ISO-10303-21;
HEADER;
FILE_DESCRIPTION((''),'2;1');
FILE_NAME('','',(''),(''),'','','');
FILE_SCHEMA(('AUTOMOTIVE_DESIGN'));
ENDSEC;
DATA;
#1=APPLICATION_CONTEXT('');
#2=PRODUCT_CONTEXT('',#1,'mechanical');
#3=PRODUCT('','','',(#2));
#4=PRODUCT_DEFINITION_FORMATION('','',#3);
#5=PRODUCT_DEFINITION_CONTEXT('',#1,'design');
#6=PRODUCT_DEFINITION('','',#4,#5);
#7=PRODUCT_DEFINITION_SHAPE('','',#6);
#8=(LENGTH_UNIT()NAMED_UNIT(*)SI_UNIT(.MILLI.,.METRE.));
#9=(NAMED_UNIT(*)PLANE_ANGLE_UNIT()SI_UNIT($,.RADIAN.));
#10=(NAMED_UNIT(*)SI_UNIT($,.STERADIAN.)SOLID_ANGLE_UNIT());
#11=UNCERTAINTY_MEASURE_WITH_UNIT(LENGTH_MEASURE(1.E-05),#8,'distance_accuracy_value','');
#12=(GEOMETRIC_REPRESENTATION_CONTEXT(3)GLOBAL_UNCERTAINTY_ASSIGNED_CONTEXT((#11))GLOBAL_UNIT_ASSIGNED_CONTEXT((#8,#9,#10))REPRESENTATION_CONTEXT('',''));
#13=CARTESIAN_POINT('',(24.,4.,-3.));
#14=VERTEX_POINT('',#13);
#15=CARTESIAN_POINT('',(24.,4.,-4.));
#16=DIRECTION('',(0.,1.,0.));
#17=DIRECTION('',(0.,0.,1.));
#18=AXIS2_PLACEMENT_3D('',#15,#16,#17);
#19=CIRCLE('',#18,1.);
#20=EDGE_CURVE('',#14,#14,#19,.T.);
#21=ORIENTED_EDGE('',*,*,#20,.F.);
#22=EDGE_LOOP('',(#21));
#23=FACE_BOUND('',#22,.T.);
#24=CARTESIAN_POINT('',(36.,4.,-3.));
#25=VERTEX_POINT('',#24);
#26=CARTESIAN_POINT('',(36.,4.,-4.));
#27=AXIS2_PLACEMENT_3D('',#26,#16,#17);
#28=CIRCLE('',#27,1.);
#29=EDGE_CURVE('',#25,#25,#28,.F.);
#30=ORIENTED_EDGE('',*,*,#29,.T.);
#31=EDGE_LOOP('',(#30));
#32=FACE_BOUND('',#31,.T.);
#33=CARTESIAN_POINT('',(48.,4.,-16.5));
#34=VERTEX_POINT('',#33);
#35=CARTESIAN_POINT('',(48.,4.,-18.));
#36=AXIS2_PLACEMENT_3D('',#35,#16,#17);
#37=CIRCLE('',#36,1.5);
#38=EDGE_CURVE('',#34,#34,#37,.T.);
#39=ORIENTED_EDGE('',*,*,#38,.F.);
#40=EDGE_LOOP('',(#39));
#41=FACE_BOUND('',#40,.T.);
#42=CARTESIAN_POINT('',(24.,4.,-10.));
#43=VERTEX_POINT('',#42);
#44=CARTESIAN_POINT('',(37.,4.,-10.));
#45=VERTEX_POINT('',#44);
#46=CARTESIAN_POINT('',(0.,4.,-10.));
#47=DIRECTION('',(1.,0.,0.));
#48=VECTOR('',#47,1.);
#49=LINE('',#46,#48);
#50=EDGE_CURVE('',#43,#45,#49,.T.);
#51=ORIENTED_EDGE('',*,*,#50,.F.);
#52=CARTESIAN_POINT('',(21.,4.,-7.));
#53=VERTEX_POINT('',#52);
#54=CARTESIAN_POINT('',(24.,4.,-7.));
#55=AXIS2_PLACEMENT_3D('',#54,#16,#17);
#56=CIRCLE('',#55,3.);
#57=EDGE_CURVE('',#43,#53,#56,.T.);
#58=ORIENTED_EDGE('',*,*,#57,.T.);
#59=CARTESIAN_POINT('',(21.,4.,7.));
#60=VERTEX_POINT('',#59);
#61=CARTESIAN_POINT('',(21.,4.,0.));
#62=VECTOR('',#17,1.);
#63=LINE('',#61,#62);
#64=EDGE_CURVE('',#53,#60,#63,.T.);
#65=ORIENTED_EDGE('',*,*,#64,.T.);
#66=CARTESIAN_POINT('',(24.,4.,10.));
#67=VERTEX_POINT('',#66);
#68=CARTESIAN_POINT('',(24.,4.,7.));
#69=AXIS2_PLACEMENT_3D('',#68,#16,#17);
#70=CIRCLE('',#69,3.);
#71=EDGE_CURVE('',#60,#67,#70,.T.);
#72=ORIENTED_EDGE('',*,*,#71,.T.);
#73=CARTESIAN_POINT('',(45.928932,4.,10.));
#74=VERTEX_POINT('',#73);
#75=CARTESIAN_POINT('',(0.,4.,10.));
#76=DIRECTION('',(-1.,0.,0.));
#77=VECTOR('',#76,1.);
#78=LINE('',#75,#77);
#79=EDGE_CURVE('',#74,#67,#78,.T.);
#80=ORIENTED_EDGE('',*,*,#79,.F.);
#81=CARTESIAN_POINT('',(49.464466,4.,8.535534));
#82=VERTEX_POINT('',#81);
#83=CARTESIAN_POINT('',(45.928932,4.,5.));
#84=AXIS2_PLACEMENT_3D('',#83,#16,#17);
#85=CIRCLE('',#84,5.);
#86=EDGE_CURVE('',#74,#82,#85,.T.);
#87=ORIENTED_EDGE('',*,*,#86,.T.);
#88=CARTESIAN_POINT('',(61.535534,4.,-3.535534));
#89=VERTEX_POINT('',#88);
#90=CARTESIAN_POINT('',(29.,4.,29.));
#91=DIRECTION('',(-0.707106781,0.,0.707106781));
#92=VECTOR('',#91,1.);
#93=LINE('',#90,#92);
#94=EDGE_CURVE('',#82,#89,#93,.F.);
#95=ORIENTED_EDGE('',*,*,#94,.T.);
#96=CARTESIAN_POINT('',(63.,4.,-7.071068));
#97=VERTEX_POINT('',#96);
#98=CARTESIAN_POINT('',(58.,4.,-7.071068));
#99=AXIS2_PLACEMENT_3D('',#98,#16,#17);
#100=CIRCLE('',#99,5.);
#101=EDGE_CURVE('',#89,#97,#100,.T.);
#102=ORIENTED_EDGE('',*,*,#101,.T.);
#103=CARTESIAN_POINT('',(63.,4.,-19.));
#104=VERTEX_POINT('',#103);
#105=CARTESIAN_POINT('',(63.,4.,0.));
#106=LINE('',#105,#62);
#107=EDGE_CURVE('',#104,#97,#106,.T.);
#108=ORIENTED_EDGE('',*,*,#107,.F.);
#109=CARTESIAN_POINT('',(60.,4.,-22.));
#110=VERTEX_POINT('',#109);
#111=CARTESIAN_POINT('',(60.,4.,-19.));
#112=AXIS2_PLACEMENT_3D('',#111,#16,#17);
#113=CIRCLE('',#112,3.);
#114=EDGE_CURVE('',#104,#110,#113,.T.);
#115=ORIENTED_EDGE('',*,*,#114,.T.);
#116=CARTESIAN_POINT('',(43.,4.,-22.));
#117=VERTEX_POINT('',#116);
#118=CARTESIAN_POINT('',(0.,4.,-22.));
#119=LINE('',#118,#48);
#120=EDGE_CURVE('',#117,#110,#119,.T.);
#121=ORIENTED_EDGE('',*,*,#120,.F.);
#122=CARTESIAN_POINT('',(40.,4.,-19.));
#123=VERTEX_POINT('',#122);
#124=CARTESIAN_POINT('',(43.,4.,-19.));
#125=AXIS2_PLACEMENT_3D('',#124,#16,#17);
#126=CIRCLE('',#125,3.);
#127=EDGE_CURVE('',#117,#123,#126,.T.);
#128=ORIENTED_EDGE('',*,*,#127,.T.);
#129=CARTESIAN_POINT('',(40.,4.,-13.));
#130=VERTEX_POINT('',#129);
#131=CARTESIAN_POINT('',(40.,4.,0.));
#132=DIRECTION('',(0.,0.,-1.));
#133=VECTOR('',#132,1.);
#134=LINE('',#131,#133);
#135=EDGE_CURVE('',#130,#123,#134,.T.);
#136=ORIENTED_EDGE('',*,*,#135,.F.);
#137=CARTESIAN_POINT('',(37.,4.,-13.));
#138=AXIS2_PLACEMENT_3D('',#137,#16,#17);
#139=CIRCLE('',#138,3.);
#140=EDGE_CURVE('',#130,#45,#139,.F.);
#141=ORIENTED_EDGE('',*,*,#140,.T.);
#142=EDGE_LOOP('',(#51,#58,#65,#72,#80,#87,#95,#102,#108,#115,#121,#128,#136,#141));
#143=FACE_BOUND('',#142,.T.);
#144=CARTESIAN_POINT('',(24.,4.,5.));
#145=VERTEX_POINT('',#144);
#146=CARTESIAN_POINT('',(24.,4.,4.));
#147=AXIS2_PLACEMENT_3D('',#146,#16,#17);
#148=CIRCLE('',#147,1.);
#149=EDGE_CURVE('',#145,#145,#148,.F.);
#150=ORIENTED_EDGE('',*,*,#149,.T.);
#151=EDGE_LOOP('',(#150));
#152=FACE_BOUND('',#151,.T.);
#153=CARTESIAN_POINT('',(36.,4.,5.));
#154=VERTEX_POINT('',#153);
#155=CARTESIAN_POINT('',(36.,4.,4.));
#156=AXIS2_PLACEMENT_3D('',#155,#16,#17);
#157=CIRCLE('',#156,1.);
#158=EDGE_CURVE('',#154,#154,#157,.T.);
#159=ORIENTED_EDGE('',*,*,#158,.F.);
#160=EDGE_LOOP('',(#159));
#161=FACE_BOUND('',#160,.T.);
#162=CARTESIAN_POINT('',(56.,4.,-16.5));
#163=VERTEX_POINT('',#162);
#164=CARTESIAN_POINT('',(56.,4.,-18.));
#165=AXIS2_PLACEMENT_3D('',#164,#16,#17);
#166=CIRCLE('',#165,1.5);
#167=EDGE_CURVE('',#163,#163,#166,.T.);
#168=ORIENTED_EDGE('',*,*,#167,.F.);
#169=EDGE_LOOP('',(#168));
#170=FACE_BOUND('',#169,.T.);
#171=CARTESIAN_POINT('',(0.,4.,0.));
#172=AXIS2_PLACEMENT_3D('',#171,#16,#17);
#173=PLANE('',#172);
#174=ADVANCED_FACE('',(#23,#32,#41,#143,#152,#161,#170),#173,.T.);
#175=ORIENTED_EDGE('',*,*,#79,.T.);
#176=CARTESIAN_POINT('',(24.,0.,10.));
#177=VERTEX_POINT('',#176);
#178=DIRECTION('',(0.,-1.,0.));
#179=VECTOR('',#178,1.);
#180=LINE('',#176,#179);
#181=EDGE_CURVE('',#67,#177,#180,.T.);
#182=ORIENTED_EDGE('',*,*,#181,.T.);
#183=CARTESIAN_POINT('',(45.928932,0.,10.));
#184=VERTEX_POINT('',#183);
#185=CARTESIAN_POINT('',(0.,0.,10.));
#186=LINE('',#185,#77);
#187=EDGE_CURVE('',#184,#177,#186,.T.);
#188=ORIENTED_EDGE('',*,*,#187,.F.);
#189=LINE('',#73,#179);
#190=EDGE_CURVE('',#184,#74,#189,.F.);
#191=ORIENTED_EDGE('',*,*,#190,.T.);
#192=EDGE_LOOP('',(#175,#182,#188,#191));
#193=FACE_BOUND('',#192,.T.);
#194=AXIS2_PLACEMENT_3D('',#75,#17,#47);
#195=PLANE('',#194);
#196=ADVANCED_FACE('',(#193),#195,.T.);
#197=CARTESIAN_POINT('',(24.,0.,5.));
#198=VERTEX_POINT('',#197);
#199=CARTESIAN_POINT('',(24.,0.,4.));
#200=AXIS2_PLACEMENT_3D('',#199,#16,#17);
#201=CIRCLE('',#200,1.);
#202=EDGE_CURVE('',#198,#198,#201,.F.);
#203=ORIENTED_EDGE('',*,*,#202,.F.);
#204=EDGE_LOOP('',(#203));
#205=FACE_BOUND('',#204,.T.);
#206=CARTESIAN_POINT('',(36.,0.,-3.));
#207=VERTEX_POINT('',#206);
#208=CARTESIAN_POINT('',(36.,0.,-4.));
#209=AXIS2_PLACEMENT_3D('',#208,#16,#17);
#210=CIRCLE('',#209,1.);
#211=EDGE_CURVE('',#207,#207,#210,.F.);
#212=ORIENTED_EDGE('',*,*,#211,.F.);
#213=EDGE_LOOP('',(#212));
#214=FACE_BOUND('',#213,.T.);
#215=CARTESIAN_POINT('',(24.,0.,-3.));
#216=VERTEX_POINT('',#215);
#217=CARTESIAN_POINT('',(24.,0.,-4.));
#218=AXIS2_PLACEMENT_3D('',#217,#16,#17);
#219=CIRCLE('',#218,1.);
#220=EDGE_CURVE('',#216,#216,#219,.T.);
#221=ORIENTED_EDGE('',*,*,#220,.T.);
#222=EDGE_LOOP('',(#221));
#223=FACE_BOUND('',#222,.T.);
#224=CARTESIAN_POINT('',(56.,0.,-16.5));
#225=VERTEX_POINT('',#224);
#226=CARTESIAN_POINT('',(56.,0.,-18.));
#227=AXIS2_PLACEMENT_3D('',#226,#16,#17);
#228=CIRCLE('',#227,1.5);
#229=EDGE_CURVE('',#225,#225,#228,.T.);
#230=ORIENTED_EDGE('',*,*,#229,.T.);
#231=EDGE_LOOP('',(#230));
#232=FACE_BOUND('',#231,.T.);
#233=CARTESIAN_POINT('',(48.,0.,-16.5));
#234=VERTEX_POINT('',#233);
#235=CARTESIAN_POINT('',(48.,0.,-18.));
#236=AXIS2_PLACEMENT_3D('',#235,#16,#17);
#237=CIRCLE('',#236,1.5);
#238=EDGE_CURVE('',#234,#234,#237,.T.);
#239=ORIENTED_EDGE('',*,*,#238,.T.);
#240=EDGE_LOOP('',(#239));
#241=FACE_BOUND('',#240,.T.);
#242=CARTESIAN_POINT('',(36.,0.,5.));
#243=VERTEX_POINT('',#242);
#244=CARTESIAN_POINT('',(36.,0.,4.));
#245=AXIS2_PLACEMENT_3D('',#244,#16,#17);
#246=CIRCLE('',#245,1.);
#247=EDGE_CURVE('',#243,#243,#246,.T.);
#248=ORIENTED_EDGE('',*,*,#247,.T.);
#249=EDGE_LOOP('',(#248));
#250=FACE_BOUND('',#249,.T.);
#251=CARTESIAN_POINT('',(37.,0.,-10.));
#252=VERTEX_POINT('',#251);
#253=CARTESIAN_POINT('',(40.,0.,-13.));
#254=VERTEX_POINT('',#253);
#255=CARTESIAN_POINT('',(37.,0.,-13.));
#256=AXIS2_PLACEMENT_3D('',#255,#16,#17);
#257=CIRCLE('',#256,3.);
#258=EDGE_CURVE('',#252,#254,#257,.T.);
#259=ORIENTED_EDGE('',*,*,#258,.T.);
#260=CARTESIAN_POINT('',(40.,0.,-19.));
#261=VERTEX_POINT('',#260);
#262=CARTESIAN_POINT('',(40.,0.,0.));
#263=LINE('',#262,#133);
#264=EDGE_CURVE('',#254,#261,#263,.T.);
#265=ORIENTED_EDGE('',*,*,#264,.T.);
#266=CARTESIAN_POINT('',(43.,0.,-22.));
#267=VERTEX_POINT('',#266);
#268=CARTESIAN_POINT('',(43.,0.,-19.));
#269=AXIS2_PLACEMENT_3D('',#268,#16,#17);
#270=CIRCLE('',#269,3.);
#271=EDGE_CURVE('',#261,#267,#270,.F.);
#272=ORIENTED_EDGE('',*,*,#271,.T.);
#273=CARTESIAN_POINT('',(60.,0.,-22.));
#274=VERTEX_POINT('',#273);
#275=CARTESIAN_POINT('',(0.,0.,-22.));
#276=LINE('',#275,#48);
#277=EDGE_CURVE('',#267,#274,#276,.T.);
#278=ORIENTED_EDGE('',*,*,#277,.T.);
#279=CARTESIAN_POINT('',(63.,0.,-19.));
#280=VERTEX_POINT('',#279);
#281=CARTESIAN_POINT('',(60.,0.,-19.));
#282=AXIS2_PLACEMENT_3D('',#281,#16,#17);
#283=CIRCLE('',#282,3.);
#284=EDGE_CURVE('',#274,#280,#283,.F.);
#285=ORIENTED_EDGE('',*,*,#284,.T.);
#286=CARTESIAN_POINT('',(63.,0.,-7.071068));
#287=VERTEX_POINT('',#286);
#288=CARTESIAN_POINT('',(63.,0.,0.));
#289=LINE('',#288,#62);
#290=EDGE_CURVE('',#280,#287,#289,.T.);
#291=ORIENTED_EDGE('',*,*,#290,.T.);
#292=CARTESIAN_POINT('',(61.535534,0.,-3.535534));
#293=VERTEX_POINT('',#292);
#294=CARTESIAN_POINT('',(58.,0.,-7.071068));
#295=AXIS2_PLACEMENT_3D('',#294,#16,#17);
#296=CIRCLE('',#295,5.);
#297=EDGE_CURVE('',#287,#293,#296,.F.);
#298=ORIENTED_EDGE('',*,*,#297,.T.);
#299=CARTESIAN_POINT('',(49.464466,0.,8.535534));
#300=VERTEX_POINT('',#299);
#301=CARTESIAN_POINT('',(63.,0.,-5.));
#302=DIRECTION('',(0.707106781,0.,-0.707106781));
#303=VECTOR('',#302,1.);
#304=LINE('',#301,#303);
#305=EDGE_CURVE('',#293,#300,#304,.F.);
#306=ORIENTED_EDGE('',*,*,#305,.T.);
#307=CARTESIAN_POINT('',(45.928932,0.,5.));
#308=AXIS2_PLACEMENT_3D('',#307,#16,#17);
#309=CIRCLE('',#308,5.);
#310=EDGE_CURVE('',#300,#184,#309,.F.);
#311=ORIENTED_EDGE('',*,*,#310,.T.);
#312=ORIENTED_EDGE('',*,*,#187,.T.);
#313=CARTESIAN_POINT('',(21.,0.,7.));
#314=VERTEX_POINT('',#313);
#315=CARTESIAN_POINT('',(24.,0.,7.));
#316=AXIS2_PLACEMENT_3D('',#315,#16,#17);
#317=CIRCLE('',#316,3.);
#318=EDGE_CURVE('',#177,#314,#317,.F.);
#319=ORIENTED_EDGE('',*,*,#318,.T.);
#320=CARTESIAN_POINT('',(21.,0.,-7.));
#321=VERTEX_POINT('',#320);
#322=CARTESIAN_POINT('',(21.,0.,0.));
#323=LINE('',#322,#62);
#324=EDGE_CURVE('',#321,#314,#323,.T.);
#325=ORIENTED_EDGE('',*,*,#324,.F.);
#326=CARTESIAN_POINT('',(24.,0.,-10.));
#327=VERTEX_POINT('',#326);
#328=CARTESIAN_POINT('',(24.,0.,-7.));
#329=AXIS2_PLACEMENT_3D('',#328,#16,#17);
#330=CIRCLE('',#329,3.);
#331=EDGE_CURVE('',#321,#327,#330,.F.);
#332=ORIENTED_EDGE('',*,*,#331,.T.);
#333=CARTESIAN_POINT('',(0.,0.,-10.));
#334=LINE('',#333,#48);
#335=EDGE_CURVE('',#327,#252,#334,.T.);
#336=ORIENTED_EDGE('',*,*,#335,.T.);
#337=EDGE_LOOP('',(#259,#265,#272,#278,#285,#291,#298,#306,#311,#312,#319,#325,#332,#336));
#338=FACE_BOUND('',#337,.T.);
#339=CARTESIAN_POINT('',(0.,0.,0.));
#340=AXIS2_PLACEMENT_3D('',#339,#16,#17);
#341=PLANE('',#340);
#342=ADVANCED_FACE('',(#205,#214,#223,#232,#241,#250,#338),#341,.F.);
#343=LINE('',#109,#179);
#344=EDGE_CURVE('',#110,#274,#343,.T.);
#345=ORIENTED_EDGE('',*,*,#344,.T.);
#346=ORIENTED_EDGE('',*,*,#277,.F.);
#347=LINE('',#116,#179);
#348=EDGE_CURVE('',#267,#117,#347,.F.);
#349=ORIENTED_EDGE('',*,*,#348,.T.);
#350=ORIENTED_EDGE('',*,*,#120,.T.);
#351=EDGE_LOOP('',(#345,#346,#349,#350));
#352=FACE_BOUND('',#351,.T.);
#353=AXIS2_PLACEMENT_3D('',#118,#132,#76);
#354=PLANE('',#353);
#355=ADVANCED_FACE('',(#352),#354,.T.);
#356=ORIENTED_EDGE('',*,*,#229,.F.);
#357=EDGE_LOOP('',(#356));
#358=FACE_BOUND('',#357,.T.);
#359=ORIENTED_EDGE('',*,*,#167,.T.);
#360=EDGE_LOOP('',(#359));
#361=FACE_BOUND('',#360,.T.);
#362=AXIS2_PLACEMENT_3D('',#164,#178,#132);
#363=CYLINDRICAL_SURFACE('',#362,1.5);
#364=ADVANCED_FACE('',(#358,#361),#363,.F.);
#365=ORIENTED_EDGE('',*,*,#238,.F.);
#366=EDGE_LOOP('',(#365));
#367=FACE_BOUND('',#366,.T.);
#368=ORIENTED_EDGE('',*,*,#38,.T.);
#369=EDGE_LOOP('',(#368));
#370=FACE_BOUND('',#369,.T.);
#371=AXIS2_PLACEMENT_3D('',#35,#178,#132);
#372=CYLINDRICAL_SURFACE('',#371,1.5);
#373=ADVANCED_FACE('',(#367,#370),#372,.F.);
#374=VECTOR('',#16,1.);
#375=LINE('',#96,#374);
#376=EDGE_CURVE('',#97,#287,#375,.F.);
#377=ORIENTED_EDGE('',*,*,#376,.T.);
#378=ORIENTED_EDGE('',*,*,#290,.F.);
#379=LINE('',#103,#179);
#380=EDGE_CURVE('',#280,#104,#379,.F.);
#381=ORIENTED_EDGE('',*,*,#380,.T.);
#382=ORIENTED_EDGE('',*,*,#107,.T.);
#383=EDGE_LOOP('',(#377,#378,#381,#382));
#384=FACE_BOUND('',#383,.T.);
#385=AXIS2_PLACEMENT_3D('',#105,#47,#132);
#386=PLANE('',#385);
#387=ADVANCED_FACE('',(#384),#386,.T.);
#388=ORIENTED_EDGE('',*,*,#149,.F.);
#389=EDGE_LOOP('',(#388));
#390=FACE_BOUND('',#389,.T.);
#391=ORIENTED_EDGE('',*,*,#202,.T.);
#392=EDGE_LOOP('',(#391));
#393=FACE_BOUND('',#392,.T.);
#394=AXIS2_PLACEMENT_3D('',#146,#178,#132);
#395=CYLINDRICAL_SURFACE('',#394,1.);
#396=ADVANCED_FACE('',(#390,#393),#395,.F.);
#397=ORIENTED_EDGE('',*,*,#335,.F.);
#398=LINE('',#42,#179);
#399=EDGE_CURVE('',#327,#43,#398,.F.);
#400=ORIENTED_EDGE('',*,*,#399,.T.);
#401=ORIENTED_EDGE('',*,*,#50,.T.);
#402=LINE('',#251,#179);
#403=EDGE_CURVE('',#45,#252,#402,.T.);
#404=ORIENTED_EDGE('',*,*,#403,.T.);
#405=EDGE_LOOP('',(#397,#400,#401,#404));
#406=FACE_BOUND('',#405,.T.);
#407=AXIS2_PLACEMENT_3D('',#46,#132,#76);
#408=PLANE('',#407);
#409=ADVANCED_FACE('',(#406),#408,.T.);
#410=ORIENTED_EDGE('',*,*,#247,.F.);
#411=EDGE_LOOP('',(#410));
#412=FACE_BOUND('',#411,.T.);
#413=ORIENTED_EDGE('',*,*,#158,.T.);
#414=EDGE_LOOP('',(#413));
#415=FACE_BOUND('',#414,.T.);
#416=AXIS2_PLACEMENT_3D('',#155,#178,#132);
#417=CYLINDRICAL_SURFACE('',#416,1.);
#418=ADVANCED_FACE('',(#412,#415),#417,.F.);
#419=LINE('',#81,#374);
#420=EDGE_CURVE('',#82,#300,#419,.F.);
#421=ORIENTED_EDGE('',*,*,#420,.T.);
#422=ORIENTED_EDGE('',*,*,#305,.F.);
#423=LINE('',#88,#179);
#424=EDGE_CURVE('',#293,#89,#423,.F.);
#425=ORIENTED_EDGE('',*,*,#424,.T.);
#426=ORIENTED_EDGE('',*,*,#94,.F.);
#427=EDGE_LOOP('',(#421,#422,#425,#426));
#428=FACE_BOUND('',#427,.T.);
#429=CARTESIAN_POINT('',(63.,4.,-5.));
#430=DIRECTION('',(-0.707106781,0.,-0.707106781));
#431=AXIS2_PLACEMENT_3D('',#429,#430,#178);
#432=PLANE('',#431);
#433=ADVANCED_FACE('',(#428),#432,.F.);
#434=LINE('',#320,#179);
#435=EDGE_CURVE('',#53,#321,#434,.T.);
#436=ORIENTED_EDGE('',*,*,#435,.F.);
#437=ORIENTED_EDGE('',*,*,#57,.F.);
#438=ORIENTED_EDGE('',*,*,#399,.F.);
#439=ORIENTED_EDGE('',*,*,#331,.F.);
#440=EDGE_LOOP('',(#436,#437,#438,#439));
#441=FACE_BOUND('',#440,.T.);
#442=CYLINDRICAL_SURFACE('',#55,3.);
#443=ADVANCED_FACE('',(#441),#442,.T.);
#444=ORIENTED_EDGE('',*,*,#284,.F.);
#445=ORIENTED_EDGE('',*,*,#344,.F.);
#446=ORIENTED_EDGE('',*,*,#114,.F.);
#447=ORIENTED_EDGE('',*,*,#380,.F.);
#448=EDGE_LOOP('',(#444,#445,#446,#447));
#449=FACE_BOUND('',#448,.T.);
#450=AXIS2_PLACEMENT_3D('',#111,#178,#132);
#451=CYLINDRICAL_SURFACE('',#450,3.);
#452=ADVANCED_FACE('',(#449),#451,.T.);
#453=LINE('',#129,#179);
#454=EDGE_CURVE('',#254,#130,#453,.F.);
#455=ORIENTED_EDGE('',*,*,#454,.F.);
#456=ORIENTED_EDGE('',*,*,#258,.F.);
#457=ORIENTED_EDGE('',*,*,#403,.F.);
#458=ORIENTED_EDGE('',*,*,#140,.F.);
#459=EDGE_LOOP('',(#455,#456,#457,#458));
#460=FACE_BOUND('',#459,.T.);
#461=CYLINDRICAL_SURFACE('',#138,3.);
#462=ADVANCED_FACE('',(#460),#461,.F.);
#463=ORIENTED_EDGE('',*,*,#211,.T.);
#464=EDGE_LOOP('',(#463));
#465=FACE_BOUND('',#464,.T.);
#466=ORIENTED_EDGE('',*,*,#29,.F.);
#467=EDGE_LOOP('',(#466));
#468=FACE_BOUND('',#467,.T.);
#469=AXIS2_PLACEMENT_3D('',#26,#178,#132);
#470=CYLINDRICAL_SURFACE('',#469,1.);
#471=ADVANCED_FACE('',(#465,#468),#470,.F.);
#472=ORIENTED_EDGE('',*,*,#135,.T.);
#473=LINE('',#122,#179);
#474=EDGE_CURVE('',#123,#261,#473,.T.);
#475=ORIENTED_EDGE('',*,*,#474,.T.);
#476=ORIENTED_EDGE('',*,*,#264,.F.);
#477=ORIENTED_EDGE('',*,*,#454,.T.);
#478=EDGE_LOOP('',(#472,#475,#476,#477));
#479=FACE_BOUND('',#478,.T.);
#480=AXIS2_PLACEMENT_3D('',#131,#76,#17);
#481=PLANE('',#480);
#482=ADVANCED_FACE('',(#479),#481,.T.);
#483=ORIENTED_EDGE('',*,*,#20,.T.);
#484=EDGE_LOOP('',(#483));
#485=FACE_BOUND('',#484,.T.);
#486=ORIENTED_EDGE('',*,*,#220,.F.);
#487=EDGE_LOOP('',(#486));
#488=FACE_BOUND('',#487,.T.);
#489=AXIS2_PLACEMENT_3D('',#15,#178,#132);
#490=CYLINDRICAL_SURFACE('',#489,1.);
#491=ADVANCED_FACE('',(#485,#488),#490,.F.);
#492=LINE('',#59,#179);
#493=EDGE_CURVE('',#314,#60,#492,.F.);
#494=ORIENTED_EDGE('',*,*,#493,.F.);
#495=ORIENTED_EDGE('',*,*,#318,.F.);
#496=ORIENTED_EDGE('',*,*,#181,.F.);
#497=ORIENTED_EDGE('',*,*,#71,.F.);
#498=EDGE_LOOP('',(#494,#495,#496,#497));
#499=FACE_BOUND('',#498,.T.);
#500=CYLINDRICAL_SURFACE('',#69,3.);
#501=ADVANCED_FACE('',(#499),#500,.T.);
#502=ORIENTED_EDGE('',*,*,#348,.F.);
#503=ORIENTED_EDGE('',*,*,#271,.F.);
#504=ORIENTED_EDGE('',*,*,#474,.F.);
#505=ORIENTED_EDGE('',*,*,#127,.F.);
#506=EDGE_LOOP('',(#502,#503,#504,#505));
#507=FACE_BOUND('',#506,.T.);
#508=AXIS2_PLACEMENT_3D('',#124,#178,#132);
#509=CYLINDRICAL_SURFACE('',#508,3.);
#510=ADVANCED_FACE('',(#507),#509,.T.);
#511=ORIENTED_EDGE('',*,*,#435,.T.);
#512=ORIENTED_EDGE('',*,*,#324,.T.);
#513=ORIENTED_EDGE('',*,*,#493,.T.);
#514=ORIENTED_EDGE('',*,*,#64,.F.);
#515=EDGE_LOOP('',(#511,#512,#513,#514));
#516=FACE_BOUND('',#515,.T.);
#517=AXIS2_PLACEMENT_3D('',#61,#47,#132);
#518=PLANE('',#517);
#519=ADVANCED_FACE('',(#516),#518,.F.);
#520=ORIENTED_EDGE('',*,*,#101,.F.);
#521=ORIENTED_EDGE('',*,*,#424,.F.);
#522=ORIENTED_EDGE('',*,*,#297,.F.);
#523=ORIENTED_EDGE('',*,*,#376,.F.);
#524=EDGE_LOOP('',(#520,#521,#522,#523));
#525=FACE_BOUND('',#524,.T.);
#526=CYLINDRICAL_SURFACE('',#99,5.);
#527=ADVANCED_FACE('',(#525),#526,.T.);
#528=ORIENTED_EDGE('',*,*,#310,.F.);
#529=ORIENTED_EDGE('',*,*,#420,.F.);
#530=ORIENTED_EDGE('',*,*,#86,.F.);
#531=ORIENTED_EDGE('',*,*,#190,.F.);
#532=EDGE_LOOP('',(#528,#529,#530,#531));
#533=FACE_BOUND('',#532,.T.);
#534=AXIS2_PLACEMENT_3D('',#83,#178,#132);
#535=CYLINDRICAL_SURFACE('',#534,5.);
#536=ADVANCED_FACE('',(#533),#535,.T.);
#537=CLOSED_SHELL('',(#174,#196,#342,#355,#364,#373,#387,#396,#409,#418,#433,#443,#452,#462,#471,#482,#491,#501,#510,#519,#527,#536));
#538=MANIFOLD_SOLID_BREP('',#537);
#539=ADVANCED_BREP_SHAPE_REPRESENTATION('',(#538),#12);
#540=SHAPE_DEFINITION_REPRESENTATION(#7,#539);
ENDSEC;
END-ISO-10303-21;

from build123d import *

# Parameters (mm, degrees)
SKETCH_1_W      = 23
SKETCH_1_H      = 20
SKETCH_1_H_2    = 12
SKETCH_1_R      = 1.5
SKETCH_1_W_2    = 19
SKETCH_1_R_2    = 1
EXTRUDE_1_DEPTH = 4
FILLET_1_R      = 3
CHAMFER_1_SIZE  = 15
FILLET_2_R      = 5


with BuildPart() as part:
    # 草图1 → 凸台-拉伸1 (new body)
    # profile 1 of 3: a face of its own
    with BuildSketch(Plane(origin=(0, 0, 0), x_dir=(1, 0, 0), z_dir=(0, 1, 0))):
        with Locations((51.5, 0)):
            Rectangle(SKETCH_1_W, SKETCH_1_H)
    # profile 2 of 3: a face of its own
    with BuildSketch(Plane(origin=(0, 0, 0), x_dir=(1, 0, 0), z_dir=(0, 1, 0))):
        with Locations((51.5, 16)):
            Rectangle(SKETCH_1_W, SKETCH_1_H_2)
        with Locations(Location((56, 18, 0), (0, 0, 270))):
            Circle(SKETCH_1_R, mode=Mode.SUBTRACT)
        with Locations(Location((48, 18, 0), (0, 0, 270))):
            Circle(SKETCH_1_R, mode=Mode.SUBTRACT)
    # profile 3 of 3: a face of its own
    with BuildSketch(Plane(origin=(0, 0, 0), x_dir=(1, 0, 0), z_dir=(0, 1, 0))):
        with Locations((30.5, 0)):
            Rectangle(SKETCH_1_W_2, SKETCH_1_H)
        with Locations(Location((24, -4, 0), (0, 0, 270))):
            Circle(SKETCH_1_R_2, mode=Mode.SUBTRACT)
        with Locations(Location((36, -4, 0), (0, 0, 270))):
            Circle(SKETCH_1_R_2, mode=Mode.SUBTRACT)
        with Locations(Location((24, 4, 0), (0, 0, 270))):
            Circle(SKETCH_1_R_2, mode=Mode.SUBTRACT)
        with Locations(Location((36, 4, 0), (0, 0, 270))):
            Circle(SKETCH_1_R_2, mode=Mode.SUBTRACT)
    extrude(amount=EXTRUDE_1_DEPTH)

    # 圆角1
    fillet_1_edges = [part.edges().sort_by_distance(p)[0] for p in [
        (21, 2, 10),
        (21, 2, -10),
        (40, 2, -10),
        (40, 2, -22),
        (63, 2, -22),
    ]]
    fillet(fillet_1_edges, radius=FILLET_1_R)

    # 倒角1
    chamfer_1_edges = [part.edges().sort_by_distance(p)[0] for p in [
        (63, 2, 10),
    ]]
    chamfer(chamfer_1_edges, length=CHAMFER_1_SIZE)

    # 圆角2
    fillet_2_edges = [part.edges().sort_by_distance(p)[0] for p in [
        (63, 2, -5),
        (48, 2, 10),
    ]]
    fillet(fillet_2_edges, radius=FILLET_2_R)


solid = part.part
